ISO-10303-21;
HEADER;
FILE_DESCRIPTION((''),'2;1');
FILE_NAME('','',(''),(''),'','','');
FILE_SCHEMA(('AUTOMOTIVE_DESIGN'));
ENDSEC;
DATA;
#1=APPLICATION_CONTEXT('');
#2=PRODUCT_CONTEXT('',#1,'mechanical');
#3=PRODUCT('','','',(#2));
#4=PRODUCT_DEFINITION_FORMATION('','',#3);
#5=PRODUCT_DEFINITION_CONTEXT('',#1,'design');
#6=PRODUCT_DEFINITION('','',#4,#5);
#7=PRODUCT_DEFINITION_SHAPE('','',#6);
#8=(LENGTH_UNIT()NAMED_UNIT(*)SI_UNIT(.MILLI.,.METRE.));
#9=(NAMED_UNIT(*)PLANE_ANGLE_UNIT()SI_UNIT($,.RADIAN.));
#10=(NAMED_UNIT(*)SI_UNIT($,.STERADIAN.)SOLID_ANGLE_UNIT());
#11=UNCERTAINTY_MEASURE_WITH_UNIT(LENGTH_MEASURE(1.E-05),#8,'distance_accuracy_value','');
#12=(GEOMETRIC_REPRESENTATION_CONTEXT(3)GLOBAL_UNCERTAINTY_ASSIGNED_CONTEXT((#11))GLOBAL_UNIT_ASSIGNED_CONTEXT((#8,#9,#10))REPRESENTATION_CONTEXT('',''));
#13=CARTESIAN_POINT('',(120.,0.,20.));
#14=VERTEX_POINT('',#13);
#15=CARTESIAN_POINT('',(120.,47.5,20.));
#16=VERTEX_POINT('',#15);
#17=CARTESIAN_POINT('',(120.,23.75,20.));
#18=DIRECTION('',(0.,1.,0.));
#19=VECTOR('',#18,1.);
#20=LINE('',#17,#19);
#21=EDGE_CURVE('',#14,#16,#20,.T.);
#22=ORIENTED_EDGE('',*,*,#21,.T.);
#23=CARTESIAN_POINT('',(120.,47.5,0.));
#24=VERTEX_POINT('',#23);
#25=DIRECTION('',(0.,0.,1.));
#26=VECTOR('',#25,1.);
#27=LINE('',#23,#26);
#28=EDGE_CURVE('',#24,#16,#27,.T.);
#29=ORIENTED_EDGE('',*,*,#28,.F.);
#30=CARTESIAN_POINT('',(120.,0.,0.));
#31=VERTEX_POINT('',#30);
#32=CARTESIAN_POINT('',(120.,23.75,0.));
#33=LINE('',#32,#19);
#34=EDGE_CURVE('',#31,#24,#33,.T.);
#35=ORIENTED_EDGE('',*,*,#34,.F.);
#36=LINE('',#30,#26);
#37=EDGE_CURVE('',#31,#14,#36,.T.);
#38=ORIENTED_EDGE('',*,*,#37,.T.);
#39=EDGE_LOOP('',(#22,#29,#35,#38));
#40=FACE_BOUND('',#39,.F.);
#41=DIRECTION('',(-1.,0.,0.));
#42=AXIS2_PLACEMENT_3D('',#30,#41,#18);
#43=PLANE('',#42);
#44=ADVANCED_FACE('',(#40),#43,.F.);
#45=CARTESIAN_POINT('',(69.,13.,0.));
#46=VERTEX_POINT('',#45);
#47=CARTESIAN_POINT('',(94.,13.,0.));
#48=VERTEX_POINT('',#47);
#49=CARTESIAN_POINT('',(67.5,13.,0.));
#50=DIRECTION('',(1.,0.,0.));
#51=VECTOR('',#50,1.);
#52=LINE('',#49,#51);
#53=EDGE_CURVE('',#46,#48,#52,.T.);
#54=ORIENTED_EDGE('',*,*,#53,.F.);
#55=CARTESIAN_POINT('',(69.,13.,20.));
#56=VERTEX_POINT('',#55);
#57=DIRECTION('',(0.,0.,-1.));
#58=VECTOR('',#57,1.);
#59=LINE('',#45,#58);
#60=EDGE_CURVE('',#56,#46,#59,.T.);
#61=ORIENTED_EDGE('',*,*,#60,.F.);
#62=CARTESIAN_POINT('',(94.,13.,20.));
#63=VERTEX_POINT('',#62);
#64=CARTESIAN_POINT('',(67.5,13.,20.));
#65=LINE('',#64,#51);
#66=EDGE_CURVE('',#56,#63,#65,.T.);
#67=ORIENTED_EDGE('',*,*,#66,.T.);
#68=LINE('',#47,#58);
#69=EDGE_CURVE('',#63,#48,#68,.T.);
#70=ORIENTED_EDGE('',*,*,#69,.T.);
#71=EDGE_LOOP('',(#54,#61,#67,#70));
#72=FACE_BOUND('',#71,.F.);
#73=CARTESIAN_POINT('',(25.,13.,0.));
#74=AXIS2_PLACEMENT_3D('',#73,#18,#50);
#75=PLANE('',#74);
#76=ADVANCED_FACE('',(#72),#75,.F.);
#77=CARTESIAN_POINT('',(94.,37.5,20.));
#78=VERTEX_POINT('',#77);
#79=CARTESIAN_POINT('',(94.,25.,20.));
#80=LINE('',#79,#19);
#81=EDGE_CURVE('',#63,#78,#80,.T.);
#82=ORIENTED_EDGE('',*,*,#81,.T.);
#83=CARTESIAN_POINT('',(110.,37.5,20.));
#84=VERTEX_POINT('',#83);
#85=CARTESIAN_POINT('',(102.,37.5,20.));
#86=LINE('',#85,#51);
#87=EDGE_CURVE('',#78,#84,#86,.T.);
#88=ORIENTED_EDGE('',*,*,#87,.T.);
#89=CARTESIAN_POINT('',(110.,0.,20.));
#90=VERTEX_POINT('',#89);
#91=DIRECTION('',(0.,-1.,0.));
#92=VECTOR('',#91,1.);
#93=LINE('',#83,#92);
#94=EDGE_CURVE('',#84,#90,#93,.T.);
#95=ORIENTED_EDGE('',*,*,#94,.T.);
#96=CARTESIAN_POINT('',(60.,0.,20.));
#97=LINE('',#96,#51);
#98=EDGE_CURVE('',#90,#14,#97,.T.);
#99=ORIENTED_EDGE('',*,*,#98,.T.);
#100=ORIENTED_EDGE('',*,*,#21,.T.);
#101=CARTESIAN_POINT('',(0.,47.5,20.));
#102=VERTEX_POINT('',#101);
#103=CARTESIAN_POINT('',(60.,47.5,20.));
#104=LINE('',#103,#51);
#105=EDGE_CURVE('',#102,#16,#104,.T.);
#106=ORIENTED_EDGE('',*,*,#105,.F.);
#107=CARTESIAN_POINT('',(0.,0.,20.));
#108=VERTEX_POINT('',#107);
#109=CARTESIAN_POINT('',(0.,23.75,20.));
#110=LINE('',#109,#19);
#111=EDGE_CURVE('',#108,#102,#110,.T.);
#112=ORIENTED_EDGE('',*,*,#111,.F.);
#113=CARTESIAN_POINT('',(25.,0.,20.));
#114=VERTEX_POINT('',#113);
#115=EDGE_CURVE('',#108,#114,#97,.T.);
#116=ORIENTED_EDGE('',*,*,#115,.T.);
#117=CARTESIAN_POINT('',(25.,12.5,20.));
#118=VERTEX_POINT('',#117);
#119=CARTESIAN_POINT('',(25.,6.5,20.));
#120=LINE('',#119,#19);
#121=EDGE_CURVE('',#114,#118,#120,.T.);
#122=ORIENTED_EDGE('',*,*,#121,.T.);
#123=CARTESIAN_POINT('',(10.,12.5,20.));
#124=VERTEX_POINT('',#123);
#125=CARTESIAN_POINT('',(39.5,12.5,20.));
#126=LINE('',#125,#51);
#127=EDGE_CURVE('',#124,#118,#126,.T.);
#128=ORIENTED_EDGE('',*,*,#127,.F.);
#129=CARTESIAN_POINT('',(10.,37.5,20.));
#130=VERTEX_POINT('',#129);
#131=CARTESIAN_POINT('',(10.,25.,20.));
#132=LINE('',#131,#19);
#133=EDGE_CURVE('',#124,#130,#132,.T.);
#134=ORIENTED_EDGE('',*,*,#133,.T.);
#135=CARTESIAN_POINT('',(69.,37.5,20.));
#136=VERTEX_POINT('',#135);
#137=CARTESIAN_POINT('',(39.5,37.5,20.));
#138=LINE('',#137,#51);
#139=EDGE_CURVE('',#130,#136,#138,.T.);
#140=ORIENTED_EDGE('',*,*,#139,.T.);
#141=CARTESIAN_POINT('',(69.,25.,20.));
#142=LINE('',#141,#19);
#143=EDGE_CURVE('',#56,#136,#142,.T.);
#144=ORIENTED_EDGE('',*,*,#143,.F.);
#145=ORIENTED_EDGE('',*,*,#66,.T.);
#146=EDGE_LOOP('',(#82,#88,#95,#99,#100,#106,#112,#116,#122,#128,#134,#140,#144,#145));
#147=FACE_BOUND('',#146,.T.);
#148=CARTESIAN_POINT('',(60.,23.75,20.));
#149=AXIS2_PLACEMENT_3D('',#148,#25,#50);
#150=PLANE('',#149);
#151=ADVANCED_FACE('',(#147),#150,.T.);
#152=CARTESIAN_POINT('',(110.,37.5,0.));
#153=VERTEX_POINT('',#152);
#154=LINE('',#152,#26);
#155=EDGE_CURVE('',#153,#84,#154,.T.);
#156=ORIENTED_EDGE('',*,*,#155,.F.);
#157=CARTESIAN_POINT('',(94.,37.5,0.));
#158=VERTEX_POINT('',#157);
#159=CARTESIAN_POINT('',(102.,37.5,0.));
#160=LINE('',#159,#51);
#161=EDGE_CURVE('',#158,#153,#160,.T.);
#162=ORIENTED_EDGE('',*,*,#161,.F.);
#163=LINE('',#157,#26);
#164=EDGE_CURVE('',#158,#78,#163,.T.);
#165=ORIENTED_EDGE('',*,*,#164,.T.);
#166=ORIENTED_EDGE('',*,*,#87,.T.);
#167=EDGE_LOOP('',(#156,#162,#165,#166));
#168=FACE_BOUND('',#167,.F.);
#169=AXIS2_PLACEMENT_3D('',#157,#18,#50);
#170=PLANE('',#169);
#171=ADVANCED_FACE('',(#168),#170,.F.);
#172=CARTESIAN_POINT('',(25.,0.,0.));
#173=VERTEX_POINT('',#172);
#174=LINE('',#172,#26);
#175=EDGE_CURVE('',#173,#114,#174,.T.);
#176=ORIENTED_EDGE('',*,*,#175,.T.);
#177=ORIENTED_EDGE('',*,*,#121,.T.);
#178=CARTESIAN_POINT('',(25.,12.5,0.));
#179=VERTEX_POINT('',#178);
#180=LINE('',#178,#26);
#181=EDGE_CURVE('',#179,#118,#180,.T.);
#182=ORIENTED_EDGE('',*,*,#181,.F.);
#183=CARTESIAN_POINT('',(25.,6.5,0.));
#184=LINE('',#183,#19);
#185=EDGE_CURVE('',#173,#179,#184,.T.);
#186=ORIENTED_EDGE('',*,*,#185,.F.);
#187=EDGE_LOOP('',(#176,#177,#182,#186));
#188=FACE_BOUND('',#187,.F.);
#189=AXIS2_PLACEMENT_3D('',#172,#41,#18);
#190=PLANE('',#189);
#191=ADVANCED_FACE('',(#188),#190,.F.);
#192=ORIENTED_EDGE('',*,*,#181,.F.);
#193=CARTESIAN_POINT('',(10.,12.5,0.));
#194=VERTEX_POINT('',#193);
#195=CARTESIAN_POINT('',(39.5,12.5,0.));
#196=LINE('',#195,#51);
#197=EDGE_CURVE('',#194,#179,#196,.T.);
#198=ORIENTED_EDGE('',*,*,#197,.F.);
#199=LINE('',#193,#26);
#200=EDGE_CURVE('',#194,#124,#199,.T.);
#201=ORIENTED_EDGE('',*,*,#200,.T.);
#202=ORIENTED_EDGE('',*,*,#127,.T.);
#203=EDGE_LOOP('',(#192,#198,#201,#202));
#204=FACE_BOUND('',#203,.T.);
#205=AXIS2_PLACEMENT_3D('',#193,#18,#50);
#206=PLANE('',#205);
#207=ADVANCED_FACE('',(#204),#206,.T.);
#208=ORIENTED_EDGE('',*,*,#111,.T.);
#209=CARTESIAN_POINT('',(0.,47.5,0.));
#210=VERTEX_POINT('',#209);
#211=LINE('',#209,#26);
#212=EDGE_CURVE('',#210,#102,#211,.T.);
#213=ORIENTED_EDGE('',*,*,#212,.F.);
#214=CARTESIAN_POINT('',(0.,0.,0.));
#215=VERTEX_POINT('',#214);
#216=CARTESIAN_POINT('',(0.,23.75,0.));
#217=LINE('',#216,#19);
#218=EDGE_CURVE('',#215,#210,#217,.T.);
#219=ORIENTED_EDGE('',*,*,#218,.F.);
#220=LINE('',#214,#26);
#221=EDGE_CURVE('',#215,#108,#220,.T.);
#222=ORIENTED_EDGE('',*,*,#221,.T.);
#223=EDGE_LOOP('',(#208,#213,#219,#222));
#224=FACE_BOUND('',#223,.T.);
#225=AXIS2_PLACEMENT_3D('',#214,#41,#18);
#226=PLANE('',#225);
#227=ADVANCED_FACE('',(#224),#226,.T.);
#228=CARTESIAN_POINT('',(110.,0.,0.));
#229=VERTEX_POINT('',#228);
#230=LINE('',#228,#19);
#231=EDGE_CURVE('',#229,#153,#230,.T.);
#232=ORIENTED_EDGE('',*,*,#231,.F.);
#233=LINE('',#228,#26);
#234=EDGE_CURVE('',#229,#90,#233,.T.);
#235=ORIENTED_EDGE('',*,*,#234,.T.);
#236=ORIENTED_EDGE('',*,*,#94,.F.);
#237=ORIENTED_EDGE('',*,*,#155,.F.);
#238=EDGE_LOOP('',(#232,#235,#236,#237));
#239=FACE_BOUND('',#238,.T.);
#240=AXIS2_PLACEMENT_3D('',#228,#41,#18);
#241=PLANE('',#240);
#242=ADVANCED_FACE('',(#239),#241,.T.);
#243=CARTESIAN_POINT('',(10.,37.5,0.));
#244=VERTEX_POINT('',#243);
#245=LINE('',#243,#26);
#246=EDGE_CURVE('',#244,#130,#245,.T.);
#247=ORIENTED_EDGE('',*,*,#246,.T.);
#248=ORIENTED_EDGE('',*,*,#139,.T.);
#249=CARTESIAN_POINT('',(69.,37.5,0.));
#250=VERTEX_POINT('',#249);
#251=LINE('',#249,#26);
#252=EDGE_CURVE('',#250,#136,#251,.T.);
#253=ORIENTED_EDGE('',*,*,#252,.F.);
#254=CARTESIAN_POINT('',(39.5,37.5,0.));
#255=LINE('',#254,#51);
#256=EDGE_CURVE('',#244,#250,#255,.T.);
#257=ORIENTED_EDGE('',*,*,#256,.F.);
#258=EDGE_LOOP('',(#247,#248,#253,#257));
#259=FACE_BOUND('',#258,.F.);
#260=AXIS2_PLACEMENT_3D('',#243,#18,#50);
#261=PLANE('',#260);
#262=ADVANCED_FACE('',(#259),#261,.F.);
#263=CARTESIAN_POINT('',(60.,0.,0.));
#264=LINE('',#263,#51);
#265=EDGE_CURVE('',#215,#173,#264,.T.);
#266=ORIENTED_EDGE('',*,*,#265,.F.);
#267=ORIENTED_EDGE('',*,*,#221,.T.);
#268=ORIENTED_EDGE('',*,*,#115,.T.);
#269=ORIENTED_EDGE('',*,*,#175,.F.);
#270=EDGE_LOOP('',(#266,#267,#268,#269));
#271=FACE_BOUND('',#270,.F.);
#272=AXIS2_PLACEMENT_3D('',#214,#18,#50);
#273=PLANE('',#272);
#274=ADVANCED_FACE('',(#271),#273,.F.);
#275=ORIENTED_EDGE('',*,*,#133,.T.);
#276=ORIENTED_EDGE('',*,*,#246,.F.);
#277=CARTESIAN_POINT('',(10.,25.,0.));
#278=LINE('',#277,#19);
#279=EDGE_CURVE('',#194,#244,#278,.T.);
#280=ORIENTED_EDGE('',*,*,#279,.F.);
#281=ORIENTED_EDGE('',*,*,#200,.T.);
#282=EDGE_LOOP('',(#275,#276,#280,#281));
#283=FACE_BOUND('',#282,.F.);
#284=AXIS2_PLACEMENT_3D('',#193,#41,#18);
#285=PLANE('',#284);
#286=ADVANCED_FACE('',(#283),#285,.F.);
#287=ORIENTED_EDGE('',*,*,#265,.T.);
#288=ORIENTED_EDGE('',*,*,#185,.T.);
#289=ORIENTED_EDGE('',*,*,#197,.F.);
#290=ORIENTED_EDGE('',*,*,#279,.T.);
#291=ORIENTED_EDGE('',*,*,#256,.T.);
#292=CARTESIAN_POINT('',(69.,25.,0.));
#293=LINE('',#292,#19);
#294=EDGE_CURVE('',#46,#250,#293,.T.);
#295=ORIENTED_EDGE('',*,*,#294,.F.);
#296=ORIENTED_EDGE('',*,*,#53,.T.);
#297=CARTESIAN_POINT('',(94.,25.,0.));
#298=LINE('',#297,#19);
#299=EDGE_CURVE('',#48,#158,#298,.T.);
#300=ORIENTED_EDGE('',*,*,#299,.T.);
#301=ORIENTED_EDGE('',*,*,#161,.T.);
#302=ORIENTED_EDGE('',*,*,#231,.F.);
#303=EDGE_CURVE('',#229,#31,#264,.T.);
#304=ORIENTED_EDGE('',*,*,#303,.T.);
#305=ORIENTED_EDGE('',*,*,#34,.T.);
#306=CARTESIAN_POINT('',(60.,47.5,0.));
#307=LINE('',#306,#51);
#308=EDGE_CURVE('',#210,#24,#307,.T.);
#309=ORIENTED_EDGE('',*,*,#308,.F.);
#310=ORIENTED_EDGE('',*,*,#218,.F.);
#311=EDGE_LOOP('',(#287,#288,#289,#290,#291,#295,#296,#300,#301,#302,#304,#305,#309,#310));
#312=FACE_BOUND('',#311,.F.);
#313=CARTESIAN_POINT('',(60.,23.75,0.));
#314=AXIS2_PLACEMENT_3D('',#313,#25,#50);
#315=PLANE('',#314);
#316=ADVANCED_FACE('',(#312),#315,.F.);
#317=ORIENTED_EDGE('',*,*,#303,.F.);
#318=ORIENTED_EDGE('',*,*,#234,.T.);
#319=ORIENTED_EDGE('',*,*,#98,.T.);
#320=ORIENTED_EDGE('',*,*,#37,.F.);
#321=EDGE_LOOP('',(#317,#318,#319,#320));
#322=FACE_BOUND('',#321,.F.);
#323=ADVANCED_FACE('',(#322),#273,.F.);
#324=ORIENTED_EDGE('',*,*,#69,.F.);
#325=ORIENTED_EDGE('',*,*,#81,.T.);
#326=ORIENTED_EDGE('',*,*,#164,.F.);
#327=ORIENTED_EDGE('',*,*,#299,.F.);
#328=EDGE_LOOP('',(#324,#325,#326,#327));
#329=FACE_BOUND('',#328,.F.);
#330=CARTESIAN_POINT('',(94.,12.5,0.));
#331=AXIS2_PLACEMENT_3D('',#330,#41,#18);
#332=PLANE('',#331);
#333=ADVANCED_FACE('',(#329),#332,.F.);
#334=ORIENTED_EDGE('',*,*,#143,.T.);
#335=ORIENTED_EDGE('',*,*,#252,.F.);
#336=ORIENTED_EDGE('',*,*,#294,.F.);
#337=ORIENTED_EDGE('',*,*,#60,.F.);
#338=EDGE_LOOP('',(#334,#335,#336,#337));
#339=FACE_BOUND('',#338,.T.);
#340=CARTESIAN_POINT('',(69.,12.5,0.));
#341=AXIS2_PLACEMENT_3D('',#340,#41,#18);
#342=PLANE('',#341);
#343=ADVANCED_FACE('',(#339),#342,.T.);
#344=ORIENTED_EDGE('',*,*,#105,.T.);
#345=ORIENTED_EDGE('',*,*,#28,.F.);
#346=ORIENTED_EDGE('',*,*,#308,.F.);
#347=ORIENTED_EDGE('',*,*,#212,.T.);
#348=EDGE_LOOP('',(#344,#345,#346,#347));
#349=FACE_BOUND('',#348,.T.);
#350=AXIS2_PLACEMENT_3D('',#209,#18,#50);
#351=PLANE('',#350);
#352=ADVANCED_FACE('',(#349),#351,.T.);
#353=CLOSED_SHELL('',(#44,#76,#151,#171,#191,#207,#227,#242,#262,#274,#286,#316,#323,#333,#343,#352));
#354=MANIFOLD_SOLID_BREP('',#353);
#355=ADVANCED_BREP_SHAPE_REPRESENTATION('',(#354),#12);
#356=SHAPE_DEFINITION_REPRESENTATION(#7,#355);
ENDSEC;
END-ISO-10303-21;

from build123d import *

# Parameters (mm, degrees)
BOX003_W     = 85
BOX003_H     = 13
BOX003_DEPTH = 20
BOX002_W     = 16
BOX002_H     = 25
BOX002_DEPTH = 20
BOX001_W     = 59
BOX001_H     = 25
BOX001_DEPTH = 20
BOX_W        = 120
BOX_H        = 47.5
BOX_DEPTH    = 20


with BuildPart() as cube003:
    # Box003 → Box003 (new body)
    with BuildSketch(Plane(origin=(25, 0, 0), x_dir=(1, 0, 0), z_dir=(0, 0, 1))):
        with Locations((42.5, 6.5)):
            Rectangle(BOX003_W, BOX003_H)
    extrude(amount=BOX003_DEPTH)


with BuildPart() as cube002:
    # Box002 → Box002 (new body)
    with BuildSketch(Plane(origin=(94, 12.5, 0), x_dir=(1, 0, 0), z_dir=(0, 0, 1))):
        with Locations((8, 12.5)):
            Rectangle(BOX002_W, BOX002_H)
    extrude(amount=BOX002_DEPTH)


with BuildPart() as cube001:
    # Box001 → Box001 (new body)
    with BuildSketch(Plane(origin=(10, 12.5, 0), x_dir=(1, 0, 0), z_dir=(0, 0, 1))):
        with Locations((29.5, 12.5)):
            Rectangle(BOX001_W, BOX001_H)
    extrude(amount=BOX001_DEPTH)


with BuildPart() as cut002:
    # Box → Box (new body)
    with BuildSketch(Plane.XY):
        with Locations((60, 23.75)):
            Rectangle(BOX_W, BOX_H)
    extrude(amount=BOX_DEPTH)

    # Cut: cut Cube001
    add(cube001.part, mode=Mode.SUBTRACT)

    # Cut001: cut Cube002
    add(cube002.part, mode=Mode.SUBTRACT)

    # Cut002: cut Cube003
    add(cube003.part, mode=Mode.SUBTRACT)


solid = cut002.part
